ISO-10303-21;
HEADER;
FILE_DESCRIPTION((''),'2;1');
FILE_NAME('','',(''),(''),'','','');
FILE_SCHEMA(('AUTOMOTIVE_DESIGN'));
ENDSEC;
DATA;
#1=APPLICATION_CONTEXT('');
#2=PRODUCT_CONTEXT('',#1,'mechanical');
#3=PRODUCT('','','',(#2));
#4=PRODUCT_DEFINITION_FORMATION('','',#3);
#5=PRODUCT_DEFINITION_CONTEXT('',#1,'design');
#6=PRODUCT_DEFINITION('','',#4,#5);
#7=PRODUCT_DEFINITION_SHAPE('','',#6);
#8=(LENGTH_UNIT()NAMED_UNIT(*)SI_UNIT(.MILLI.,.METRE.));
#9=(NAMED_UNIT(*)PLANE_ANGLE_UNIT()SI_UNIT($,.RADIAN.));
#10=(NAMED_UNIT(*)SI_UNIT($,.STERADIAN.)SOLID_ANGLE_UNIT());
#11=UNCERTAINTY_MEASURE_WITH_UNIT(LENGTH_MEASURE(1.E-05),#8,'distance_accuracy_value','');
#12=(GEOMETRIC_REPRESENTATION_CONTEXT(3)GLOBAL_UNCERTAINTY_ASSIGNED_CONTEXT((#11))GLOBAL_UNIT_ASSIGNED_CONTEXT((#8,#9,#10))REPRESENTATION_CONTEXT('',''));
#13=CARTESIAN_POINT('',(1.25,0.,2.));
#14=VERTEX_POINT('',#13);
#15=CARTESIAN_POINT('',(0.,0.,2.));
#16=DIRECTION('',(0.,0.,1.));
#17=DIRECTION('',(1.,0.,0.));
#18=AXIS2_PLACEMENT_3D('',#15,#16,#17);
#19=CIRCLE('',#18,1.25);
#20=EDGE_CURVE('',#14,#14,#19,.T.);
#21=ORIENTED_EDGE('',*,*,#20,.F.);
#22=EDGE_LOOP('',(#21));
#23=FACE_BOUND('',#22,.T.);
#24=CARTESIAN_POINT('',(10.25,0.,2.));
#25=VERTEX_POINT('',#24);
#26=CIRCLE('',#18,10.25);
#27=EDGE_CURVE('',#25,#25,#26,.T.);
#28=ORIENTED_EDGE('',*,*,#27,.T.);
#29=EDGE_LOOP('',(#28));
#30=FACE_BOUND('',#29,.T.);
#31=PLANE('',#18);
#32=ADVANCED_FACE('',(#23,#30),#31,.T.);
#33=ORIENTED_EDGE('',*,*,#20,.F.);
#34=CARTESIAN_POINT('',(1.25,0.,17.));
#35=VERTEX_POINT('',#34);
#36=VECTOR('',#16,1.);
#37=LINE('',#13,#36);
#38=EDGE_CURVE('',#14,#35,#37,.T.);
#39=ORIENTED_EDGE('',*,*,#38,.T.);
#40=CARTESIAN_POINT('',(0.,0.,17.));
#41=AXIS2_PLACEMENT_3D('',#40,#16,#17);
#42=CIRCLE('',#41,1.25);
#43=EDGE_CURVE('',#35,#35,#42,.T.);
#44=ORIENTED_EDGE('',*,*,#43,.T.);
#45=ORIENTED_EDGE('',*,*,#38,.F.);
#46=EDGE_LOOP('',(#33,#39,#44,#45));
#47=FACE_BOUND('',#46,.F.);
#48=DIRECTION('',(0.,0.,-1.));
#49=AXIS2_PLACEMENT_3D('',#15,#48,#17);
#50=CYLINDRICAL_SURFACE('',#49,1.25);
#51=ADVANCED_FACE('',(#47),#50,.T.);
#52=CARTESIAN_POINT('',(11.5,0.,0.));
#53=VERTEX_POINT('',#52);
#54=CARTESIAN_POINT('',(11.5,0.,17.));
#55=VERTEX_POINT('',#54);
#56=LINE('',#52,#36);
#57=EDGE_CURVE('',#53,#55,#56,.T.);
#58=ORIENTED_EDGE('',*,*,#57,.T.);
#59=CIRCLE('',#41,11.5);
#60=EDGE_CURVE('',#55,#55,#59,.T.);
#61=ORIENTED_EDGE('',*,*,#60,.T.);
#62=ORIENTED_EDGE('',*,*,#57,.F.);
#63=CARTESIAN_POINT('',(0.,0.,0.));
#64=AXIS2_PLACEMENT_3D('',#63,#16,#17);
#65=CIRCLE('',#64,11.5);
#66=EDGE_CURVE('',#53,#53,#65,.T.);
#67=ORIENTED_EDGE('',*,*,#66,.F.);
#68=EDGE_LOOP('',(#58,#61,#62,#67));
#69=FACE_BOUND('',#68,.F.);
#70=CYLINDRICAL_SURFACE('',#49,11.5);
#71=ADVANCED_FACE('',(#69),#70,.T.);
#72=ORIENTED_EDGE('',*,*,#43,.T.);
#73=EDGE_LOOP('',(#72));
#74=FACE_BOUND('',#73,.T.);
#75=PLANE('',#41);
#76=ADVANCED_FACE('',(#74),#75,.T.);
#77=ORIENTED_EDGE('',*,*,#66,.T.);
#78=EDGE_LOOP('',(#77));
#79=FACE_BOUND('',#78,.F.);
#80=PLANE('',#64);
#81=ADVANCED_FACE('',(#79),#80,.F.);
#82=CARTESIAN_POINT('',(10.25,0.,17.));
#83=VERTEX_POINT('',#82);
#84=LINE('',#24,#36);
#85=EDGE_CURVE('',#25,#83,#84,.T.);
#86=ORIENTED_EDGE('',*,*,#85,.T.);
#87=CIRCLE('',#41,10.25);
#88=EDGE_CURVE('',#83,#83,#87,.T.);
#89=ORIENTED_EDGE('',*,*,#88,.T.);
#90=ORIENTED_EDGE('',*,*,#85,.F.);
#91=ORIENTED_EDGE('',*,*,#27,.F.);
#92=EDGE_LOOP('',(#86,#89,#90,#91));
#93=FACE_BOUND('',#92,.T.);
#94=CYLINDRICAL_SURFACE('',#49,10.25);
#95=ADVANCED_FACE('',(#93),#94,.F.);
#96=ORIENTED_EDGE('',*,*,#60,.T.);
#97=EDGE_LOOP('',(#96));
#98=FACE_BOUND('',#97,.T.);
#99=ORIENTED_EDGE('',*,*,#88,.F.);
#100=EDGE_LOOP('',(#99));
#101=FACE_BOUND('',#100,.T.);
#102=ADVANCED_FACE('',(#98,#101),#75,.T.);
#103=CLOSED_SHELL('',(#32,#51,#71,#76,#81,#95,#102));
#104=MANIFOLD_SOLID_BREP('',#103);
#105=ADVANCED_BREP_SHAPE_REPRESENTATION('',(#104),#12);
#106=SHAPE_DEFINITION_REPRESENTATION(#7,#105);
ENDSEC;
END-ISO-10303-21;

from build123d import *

# Parameters (mm, degrees)
F0_R     = 11.5
F1_DEPTH = 2
F2_R     = 11.5
F2_R_2   = 10.25
F3_DEPTH = 15
F4_R     = 1.25
F5_DEPTH = 15


with BuildPart() as f1:
    # F0 (on Top) → F1 (new body)
    with BuildSketch(Plane.XY):
        Circle(F0_R)
    extrude(amount=F1_DEPTH)

    # F2 (on face) → F3 (join)
    with BuildSketch(Plane.XY.offset(2)):
        Circle(F2_R)
        Circle(F2_R_2, mode=Mode.SUBTRACT)
    extrude(amount=F3_DEPTH)

    # F4 (on face) → F5 (join)
    with BuildSketch(Plane.XY.offset(2)):
        Circle(F4_R)
    extrude(amount=F5_DEPTH)


solid = f1.part
